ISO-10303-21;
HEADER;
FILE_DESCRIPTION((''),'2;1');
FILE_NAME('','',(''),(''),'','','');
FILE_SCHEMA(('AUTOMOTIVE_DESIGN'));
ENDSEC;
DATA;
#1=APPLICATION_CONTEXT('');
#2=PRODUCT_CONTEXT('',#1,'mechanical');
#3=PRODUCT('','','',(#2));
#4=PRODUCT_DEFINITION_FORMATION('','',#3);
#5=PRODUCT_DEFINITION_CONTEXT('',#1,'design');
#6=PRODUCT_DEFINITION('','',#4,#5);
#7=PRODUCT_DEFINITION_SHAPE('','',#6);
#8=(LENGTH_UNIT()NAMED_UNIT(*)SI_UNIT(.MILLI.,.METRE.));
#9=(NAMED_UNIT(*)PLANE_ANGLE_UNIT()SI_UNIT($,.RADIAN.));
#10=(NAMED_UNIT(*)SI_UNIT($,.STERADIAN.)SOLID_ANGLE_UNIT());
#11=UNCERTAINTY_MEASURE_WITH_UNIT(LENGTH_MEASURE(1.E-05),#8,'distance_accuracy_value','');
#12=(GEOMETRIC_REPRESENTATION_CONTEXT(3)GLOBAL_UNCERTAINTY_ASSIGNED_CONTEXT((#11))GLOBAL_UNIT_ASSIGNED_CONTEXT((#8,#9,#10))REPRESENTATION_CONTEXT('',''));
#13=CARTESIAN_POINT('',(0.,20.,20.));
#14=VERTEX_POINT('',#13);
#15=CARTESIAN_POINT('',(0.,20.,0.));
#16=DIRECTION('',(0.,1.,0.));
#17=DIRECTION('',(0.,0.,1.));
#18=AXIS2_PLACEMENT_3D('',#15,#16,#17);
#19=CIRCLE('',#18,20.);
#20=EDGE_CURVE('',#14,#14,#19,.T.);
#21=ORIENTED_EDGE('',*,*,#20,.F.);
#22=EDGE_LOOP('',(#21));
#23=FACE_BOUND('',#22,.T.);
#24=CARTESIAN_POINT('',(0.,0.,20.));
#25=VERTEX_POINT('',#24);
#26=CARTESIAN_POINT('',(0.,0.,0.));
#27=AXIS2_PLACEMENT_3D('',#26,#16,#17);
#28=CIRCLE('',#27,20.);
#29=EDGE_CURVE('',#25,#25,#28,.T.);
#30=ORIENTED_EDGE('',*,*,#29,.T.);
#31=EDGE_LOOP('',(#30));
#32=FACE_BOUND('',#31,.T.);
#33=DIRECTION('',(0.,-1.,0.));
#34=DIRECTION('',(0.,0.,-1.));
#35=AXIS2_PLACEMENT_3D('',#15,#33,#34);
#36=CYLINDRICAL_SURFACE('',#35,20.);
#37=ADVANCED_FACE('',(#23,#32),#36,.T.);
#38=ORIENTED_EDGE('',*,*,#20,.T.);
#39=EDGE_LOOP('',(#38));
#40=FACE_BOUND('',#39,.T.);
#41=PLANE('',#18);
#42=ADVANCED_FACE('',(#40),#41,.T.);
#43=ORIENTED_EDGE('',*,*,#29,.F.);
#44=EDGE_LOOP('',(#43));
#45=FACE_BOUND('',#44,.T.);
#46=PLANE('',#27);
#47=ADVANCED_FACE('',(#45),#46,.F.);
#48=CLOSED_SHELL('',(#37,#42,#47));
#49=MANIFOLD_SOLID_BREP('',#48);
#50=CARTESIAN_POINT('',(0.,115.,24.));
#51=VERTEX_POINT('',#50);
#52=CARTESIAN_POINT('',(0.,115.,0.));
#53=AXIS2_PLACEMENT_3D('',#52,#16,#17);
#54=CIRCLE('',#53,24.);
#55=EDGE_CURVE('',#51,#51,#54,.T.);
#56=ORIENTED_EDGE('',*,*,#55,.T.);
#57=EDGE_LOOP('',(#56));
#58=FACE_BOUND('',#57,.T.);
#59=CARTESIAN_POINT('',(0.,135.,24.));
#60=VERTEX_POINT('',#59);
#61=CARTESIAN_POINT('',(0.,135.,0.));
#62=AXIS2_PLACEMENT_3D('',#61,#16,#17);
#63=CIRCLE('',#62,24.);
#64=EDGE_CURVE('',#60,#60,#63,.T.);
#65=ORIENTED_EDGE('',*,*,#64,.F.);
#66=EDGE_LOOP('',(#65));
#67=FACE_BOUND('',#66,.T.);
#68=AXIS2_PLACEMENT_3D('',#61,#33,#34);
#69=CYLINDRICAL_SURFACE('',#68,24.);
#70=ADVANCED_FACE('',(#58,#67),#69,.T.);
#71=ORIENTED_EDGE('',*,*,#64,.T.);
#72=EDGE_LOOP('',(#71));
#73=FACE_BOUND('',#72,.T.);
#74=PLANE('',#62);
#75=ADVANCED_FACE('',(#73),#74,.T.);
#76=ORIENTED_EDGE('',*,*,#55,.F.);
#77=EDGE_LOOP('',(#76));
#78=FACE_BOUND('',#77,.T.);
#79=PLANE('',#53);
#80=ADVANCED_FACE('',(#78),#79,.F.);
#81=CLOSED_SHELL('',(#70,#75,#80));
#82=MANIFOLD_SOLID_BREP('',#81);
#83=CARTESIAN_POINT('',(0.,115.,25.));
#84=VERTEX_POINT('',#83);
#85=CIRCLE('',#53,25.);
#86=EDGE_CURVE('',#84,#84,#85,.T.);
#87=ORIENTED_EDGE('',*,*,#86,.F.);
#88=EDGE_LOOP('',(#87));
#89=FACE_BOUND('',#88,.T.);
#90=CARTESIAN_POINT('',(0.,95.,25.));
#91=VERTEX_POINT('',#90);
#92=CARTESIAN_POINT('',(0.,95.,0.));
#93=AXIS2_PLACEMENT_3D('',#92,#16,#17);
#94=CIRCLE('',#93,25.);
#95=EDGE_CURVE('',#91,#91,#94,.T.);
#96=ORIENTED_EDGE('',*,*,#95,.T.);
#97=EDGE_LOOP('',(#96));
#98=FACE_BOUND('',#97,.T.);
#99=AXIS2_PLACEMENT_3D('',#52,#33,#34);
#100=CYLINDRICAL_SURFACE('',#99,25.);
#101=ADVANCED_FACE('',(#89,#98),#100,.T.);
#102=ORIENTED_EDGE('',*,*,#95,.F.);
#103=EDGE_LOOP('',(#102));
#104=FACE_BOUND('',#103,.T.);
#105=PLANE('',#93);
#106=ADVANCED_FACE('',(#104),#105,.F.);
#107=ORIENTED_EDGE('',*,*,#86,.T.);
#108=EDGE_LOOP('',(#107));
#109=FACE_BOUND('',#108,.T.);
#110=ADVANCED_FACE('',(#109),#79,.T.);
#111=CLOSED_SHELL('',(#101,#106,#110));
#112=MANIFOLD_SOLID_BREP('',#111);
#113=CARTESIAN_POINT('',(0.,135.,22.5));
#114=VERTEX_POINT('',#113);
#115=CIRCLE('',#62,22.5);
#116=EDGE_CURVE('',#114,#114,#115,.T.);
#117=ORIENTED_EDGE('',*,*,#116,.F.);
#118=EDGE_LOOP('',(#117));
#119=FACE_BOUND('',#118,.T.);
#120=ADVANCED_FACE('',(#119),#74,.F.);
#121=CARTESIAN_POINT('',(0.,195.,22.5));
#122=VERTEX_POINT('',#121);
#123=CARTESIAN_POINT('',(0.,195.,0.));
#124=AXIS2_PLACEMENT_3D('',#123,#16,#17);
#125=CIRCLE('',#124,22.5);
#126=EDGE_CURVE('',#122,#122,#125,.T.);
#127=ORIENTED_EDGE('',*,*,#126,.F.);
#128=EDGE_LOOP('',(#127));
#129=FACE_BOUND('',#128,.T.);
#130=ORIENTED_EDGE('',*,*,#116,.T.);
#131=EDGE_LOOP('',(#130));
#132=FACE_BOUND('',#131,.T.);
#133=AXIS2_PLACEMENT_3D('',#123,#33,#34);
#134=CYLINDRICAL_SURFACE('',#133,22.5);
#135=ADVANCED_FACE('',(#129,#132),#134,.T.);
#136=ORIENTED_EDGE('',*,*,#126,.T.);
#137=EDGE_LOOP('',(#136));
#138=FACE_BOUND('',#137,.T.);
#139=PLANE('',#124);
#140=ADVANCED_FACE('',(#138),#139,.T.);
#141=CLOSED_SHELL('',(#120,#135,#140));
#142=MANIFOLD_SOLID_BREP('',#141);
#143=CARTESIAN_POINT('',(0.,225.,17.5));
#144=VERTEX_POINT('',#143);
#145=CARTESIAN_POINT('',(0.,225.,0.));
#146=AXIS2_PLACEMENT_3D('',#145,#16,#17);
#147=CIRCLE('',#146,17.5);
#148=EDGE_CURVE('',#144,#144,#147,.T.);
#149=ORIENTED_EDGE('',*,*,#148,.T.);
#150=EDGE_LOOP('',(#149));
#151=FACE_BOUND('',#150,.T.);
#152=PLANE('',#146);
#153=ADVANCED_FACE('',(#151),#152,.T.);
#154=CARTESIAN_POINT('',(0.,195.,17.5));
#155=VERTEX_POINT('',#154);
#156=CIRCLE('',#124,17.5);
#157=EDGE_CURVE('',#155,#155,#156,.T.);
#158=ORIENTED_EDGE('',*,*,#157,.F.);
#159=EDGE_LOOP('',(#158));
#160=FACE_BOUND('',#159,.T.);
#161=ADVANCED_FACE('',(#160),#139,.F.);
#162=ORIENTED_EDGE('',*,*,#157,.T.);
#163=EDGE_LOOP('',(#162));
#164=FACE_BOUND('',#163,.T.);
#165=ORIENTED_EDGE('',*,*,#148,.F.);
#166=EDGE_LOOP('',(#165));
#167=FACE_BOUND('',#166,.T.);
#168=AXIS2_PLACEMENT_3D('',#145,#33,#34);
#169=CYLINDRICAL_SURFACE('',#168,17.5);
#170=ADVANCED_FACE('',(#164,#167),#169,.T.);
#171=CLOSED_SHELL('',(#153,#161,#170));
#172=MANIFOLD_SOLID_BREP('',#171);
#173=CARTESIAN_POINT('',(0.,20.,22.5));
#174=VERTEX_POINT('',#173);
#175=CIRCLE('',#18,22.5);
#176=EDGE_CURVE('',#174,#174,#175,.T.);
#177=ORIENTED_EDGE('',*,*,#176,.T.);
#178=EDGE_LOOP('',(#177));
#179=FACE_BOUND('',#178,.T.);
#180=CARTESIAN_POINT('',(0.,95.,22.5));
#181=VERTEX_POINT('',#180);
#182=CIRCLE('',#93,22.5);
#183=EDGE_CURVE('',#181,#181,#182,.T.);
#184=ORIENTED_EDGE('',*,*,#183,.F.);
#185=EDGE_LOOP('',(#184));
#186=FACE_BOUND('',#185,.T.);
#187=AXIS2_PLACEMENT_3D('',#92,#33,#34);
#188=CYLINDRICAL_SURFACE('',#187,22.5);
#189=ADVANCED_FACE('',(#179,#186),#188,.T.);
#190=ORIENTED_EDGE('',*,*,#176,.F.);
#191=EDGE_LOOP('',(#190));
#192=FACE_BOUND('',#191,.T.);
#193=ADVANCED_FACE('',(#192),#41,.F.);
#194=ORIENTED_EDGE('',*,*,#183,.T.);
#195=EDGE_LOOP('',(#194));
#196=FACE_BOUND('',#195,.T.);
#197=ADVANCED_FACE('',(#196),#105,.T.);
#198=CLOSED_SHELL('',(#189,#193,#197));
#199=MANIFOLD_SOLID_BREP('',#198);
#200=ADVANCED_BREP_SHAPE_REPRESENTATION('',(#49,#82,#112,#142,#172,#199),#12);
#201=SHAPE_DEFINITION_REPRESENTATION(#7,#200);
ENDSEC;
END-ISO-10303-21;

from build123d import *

# Parameters (mm, degrees)
SKETCH_1_R      = 20
EXTRUDE_1_DEPTH = 20
SKETCH_2_R      = 22.5
EXTRUDE_2_DEPTH = 75
SKETCH_3_R      = 25
EXTRUDE_3_DEPTH = 20
SKETCH_4_R      = 24
EXTRUDE_4_DEPTH = 20
SKETCH_5_R      = 22.5
EXTRUDE_5_DEPTH = 60
SKETCH_6_R      = 17.5
EXTRUDE_6_DEPTH = 30


with BuildPart() as part:
    # 草图1 → 凸台-拉伸1 (new body)
    with BuildSketch(Plane(origin=(0, 0, 0), x_dir=(1, 0, 0), z_dir=(0, 1, 0))):
        with Locations(Location((0, 0, 0), (0, 0, 270))):
            Circle(SKETCH_1_R)
    extrude(amount=EXTRUDE_1_DEPTH)


with BuildPart() as body_2:
    # 草图2 → 凸台-拉伸2 (new body)
    with BuildSketch(Plane(origin=(0, 20, 0), x_dir=(1, 0, 0), z_dir=(0, 1, 0))):
        with Locations(Location((0, 0, 0), (0, 0, 270))):
            Circle(SKETCH_2_R)
    extrude(amount=EXTRUDE_2_DEPTH)


with BuildPart() as body_3:
    # 草图3 → 凸台-拉伸3 (new body)
    with BuildSketch(Plane(origin=(0, 95, 0), x_dir=(1, 0, 0), z_dir=(0, 1, 0))):
        with Locations(Location((0, 0, 0), (0, 0, 270))):
            Circle(SKETCH_3_R)
    extrude(amount=EXTRUDE_3_DEPTH)


with BuildPart() as body_4:
    # 草图4 → 凸台-拉伸4 (new body)
    with BuildSketch(Plane(origin=(0, 115, 0), x_dir=(1, 0, 0), z_dir=(0, 1, 0))):
        with Locations(Location((0, 0, 0), (0, 0, 270))):
            Circle(SKETCH_4_R)
    extrude(amount=EXTRUDE_4_DEPTH)


with BuildPart() as body_5:
    # 草图5 → 凸台-拉伸5 (new body)
    with BuildSketch(Plane(origin=(0, 135, 0), x_dir=(1, 0, 0), z_dir=(0, 1, 0))):
        with Locations(Location((0, 0, 0), (0, 0, 270))):
            Circle(SKETCH_5_R)
    extrude(amount=EXTRUDE_5_DEPTH)


with BuildPart() as body_6:
    # 草图6 → 凸台-拉伸6 (new body)
    with BuildSketch(Plane(origin=(0, 195, 0), x_dir=(1, 0, 0), z_dir=(0, 1, 0))):
        with Locations(Location((0, 0, 0), (0, 0, 270))):
            Circle(SKETCH_6_R)
    extrude(amount=EXTRUDE_6_DEPTH)


solid = Compound([part.part, body_2.part, body_3.part, body_4.part, body_5.part, body_6.part])
